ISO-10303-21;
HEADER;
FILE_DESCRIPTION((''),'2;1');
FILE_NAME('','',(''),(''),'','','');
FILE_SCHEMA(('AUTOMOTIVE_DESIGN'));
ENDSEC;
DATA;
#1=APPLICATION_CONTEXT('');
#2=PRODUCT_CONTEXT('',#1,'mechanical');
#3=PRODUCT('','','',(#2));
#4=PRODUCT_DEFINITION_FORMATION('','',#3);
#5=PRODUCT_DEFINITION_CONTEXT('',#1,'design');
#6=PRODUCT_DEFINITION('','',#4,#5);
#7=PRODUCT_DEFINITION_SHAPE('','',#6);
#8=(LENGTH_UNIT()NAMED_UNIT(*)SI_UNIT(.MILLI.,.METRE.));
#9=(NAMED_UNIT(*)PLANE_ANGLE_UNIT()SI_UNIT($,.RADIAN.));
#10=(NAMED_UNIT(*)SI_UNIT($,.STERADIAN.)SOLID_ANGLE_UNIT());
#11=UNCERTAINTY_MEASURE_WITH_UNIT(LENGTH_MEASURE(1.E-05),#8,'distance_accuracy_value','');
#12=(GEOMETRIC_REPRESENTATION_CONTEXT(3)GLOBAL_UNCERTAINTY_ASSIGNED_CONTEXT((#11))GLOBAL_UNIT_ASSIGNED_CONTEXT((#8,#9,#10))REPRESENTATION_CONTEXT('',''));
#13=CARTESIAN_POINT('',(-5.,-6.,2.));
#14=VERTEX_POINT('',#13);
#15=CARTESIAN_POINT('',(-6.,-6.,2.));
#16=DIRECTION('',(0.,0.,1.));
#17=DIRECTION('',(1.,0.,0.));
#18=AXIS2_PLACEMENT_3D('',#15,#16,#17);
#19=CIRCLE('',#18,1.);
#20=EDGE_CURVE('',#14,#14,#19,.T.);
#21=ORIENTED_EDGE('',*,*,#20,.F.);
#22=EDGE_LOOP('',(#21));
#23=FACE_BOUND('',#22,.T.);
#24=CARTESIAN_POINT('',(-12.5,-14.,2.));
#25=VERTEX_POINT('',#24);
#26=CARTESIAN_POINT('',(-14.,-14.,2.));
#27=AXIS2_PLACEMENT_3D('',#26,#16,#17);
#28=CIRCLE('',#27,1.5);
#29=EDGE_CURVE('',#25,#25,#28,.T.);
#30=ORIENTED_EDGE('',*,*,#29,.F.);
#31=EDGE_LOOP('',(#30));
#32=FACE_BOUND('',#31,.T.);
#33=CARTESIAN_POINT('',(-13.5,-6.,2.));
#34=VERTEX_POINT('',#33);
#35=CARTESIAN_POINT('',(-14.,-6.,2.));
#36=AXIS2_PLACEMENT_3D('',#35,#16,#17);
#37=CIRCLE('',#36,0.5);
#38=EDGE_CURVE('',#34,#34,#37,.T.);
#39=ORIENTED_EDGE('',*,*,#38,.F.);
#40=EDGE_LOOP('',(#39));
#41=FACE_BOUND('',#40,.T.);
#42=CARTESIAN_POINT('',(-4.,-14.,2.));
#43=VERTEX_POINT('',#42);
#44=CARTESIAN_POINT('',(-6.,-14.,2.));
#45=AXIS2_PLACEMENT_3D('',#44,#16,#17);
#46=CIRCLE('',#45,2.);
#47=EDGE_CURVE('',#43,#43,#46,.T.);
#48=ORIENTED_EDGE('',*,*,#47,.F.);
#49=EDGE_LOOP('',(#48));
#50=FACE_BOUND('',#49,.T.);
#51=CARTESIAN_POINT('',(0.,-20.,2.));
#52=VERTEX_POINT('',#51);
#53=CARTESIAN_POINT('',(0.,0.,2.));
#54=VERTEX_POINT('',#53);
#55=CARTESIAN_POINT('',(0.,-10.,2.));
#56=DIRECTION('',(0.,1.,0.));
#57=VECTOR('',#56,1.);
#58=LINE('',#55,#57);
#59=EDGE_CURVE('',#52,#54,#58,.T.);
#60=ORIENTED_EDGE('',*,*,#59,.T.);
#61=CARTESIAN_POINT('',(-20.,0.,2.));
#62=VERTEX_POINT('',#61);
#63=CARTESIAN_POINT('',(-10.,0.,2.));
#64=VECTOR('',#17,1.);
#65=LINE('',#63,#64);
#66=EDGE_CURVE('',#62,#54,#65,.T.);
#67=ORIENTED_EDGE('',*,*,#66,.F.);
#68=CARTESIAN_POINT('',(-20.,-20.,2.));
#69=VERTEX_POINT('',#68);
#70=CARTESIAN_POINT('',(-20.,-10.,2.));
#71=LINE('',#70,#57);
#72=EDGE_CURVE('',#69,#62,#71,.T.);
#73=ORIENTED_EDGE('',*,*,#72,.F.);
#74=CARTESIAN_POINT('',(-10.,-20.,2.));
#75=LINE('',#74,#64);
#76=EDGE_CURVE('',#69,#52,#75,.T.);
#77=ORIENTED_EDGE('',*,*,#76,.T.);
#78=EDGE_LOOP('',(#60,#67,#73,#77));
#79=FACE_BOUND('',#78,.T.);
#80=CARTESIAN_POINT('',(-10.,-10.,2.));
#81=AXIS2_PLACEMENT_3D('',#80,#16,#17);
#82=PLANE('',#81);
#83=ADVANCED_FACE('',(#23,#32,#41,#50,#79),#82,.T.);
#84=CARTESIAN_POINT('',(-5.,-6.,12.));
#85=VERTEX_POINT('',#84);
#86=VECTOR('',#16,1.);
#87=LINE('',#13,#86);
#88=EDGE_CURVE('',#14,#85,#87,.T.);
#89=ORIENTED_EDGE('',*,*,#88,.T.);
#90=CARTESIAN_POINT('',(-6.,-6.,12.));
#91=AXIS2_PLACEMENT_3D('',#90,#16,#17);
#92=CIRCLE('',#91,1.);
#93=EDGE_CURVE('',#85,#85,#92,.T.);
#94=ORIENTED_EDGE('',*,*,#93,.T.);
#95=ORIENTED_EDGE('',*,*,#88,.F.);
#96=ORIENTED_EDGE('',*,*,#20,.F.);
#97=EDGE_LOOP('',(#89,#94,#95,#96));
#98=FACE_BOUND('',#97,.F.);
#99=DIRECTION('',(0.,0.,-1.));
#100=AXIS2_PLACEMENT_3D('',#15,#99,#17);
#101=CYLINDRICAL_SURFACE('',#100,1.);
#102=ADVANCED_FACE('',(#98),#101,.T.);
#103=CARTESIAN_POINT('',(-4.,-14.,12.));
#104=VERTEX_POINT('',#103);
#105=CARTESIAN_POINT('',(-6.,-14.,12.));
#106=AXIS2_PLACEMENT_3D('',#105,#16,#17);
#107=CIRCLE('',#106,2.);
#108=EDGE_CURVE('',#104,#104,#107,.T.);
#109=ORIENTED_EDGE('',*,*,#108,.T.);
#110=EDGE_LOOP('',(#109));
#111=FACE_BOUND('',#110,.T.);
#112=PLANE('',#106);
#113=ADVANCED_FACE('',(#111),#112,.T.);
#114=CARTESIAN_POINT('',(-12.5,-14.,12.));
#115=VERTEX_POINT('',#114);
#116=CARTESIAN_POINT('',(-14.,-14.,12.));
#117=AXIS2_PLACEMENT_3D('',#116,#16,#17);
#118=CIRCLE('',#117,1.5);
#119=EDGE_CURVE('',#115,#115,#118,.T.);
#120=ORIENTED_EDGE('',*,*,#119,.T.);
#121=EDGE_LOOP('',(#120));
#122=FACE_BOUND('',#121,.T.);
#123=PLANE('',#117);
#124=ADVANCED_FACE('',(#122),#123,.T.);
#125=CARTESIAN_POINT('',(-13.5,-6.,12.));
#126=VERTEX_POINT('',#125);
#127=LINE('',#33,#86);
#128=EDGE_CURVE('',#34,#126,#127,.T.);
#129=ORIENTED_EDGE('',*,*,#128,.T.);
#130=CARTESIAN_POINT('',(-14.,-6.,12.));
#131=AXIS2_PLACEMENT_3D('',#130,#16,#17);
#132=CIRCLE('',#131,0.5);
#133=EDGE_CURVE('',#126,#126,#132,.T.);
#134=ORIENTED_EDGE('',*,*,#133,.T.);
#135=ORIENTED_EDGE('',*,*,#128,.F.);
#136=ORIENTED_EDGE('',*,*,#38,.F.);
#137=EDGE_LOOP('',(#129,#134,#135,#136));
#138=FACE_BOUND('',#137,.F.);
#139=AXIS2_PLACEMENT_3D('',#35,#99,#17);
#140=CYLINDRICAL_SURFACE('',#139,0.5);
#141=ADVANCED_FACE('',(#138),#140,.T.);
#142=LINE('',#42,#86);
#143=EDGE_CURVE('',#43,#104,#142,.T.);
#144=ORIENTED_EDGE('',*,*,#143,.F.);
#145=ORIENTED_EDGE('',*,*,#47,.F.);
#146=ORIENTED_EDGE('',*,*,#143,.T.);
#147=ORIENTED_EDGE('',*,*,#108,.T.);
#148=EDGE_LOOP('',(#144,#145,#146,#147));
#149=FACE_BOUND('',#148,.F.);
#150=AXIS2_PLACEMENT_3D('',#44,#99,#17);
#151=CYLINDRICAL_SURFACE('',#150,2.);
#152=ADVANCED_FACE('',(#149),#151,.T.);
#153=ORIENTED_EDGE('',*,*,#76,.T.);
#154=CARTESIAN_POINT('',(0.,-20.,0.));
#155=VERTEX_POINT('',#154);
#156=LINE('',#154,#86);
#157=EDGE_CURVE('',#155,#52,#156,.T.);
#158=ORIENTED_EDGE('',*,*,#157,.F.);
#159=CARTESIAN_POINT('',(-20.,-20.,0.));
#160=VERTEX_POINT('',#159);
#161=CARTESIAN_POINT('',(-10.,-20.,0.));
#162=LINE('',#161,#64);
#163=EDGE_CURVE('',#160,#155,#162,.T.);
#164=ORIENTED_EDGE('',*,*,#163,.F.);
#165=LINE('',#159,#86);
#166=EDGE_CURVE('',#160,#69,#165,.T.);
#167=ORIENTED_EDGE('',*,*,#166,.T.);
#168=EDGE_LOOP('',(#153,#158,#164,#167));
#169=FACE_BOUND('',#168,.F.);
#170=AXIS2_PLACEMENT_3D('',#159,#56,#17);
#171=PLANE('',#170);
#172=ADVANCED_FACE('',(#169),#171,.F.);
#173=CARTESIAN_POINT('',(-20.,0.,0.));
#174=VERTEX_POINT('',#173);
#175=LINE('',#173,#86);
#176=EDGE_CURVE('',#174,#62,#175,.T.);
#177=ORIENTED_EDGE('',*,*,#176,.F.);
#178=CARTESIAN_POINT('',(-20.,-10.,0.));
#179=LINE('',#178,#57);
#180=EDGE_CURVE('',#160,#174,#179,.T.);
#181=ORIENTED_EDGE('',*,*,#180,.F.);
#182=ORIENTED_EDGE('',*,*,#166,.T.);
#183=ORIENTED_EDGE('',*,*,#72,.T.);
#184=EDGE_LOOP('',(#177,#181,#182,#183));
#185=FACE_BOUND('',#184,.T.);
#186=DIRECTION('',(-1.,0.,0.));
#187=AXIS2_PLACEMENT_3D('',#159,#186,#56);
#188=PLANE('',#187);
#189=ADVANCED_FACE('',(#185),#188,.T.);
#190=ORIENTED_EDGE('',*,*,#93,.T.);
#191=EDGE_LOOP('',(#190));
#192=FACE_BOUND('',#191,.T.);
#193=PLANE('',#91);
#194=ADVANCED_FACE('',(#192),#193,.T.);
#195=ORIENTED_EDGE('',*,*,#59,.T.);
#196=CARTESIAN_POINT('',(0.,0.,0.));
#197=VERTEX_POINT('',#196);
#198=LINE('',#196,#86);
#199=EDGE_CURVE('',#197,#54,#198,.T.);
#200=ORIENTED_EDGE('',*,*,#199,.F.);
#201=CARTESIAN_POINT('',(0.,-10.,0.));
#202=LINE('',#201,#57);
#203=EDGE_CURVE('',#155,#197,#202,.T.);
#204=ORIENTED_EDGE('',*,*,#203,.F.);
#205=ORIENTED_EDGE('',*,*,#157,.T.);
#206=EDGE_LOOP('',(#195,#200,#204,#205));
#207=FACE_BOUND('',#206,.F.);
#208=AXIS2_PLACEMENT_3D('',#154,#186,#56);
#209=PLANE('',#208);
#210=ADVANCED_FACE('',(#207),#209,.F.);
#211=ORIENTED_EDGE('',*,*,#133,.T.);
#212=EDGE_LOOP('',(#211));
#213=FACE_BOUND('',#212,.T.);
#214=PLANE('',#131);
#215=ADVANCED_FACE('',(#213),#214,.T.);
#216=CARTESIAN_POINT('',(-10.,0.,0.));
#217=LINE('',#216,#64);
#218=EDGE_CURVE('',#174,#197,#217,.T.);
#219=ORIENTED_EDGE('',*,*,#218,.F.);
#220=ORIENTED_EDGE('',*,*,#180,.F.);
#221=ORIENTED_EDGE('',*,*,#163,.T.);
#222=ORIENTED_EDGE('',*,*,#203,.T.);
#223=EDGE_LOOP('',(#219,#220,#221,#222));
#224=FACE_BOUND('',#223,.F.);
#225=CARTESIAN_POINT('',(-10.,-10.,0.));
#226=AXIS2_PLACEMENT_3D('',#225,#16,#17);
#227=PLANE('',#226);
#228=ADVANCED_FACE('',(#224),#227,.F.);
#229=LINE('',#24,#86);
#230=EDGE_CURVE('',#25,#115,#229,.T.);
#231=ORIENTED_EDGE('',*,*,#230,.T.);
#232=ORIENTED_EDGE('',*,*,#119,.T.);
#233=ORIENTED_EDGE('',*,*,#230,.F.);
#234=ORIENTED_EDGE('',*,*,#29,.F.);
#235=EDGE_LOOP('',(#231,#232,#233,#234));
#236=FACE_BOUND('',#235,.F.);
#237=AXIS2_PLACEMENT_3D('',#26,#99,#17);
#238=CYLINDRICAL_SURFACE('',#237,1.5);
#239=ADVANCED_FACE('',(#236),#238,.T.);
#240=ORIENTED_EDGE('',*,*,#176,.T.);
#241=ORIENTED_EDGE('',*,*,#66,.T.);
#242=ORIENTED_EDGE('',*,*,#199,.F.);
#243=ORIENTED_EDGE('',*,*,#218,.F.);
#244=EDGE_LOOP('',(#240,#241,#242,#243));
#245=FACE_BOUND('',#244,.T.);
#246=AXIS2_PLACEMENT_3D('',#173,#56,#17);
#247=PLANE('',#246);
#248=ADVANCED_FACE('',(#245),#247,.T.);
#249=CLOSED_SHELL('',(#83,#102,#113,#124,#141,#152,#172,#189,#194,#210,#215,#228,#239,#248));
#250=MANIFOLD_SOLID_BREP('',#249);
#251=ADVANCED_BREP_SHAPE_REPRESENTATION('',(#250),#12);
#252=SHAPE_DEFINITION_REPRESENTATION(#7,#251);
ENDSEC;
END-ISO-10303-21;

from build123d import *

# Parameters (mm, degrees)
F0_W     = 20
F0_H     = 20
F0_R     = 1.5
F0_R_2   = 2
F0_R_3   = 0.5
F0_R_4   = 1
F1_DEPTH = 2
F2_R     = 1
F2_R_2   = 0.5
F2_R_3   = 2
F2_R_4   = 1.5
F3_DEPTH = 10


with BuildPart() as f1:
    # F0 (on Top) → F1 (new body)
    with BuildSketch(Plane.XY):
        with Locations((-10, -10)):
            Rectangle(F0_W, F0_H)
        with Locations((-14, -14)):
            Circle(F0_R, mode=Mode.SUBTRACT)
        with Locations((-6, -14)):
            Circle(F0_R_2, mode=Mode.SUBTRACT)
        with Locations((-14, -6)):
            Circle(F0_R_3, mode=Mode.SUBTRACT)
        with Locations((-6, -6)):
            Circle(F0_R_4, mode=Mode.SUBTRACT)
        with Locations((-14, -6)):
            Circle(F0_R_3)
        with Locations((-6, -6)):
            Circle(F0_R_4)
        with Locations((-6, -14)):
            Circle(F0_R_2)
        with Locations((-14, -14)):
            Circle(F0_R)
    extrude(amount=F1_DEPTH)

    # F2 (on face) → F3 (join)
    with BuildSketch(Plane.XY.offset(2)):
        with Locations((-6, -6)):
            Circle(F2_R)
        with Locations((-14, -6)):
            Circle(F2_R_2)
        with Locations((-6, -14)):
            Circle(F2_R_3)
        with Locations((-14, -14)):
            Circle(F2_R_4)
    extrude(amount=F3_DEPTH)


solid = f1.part
